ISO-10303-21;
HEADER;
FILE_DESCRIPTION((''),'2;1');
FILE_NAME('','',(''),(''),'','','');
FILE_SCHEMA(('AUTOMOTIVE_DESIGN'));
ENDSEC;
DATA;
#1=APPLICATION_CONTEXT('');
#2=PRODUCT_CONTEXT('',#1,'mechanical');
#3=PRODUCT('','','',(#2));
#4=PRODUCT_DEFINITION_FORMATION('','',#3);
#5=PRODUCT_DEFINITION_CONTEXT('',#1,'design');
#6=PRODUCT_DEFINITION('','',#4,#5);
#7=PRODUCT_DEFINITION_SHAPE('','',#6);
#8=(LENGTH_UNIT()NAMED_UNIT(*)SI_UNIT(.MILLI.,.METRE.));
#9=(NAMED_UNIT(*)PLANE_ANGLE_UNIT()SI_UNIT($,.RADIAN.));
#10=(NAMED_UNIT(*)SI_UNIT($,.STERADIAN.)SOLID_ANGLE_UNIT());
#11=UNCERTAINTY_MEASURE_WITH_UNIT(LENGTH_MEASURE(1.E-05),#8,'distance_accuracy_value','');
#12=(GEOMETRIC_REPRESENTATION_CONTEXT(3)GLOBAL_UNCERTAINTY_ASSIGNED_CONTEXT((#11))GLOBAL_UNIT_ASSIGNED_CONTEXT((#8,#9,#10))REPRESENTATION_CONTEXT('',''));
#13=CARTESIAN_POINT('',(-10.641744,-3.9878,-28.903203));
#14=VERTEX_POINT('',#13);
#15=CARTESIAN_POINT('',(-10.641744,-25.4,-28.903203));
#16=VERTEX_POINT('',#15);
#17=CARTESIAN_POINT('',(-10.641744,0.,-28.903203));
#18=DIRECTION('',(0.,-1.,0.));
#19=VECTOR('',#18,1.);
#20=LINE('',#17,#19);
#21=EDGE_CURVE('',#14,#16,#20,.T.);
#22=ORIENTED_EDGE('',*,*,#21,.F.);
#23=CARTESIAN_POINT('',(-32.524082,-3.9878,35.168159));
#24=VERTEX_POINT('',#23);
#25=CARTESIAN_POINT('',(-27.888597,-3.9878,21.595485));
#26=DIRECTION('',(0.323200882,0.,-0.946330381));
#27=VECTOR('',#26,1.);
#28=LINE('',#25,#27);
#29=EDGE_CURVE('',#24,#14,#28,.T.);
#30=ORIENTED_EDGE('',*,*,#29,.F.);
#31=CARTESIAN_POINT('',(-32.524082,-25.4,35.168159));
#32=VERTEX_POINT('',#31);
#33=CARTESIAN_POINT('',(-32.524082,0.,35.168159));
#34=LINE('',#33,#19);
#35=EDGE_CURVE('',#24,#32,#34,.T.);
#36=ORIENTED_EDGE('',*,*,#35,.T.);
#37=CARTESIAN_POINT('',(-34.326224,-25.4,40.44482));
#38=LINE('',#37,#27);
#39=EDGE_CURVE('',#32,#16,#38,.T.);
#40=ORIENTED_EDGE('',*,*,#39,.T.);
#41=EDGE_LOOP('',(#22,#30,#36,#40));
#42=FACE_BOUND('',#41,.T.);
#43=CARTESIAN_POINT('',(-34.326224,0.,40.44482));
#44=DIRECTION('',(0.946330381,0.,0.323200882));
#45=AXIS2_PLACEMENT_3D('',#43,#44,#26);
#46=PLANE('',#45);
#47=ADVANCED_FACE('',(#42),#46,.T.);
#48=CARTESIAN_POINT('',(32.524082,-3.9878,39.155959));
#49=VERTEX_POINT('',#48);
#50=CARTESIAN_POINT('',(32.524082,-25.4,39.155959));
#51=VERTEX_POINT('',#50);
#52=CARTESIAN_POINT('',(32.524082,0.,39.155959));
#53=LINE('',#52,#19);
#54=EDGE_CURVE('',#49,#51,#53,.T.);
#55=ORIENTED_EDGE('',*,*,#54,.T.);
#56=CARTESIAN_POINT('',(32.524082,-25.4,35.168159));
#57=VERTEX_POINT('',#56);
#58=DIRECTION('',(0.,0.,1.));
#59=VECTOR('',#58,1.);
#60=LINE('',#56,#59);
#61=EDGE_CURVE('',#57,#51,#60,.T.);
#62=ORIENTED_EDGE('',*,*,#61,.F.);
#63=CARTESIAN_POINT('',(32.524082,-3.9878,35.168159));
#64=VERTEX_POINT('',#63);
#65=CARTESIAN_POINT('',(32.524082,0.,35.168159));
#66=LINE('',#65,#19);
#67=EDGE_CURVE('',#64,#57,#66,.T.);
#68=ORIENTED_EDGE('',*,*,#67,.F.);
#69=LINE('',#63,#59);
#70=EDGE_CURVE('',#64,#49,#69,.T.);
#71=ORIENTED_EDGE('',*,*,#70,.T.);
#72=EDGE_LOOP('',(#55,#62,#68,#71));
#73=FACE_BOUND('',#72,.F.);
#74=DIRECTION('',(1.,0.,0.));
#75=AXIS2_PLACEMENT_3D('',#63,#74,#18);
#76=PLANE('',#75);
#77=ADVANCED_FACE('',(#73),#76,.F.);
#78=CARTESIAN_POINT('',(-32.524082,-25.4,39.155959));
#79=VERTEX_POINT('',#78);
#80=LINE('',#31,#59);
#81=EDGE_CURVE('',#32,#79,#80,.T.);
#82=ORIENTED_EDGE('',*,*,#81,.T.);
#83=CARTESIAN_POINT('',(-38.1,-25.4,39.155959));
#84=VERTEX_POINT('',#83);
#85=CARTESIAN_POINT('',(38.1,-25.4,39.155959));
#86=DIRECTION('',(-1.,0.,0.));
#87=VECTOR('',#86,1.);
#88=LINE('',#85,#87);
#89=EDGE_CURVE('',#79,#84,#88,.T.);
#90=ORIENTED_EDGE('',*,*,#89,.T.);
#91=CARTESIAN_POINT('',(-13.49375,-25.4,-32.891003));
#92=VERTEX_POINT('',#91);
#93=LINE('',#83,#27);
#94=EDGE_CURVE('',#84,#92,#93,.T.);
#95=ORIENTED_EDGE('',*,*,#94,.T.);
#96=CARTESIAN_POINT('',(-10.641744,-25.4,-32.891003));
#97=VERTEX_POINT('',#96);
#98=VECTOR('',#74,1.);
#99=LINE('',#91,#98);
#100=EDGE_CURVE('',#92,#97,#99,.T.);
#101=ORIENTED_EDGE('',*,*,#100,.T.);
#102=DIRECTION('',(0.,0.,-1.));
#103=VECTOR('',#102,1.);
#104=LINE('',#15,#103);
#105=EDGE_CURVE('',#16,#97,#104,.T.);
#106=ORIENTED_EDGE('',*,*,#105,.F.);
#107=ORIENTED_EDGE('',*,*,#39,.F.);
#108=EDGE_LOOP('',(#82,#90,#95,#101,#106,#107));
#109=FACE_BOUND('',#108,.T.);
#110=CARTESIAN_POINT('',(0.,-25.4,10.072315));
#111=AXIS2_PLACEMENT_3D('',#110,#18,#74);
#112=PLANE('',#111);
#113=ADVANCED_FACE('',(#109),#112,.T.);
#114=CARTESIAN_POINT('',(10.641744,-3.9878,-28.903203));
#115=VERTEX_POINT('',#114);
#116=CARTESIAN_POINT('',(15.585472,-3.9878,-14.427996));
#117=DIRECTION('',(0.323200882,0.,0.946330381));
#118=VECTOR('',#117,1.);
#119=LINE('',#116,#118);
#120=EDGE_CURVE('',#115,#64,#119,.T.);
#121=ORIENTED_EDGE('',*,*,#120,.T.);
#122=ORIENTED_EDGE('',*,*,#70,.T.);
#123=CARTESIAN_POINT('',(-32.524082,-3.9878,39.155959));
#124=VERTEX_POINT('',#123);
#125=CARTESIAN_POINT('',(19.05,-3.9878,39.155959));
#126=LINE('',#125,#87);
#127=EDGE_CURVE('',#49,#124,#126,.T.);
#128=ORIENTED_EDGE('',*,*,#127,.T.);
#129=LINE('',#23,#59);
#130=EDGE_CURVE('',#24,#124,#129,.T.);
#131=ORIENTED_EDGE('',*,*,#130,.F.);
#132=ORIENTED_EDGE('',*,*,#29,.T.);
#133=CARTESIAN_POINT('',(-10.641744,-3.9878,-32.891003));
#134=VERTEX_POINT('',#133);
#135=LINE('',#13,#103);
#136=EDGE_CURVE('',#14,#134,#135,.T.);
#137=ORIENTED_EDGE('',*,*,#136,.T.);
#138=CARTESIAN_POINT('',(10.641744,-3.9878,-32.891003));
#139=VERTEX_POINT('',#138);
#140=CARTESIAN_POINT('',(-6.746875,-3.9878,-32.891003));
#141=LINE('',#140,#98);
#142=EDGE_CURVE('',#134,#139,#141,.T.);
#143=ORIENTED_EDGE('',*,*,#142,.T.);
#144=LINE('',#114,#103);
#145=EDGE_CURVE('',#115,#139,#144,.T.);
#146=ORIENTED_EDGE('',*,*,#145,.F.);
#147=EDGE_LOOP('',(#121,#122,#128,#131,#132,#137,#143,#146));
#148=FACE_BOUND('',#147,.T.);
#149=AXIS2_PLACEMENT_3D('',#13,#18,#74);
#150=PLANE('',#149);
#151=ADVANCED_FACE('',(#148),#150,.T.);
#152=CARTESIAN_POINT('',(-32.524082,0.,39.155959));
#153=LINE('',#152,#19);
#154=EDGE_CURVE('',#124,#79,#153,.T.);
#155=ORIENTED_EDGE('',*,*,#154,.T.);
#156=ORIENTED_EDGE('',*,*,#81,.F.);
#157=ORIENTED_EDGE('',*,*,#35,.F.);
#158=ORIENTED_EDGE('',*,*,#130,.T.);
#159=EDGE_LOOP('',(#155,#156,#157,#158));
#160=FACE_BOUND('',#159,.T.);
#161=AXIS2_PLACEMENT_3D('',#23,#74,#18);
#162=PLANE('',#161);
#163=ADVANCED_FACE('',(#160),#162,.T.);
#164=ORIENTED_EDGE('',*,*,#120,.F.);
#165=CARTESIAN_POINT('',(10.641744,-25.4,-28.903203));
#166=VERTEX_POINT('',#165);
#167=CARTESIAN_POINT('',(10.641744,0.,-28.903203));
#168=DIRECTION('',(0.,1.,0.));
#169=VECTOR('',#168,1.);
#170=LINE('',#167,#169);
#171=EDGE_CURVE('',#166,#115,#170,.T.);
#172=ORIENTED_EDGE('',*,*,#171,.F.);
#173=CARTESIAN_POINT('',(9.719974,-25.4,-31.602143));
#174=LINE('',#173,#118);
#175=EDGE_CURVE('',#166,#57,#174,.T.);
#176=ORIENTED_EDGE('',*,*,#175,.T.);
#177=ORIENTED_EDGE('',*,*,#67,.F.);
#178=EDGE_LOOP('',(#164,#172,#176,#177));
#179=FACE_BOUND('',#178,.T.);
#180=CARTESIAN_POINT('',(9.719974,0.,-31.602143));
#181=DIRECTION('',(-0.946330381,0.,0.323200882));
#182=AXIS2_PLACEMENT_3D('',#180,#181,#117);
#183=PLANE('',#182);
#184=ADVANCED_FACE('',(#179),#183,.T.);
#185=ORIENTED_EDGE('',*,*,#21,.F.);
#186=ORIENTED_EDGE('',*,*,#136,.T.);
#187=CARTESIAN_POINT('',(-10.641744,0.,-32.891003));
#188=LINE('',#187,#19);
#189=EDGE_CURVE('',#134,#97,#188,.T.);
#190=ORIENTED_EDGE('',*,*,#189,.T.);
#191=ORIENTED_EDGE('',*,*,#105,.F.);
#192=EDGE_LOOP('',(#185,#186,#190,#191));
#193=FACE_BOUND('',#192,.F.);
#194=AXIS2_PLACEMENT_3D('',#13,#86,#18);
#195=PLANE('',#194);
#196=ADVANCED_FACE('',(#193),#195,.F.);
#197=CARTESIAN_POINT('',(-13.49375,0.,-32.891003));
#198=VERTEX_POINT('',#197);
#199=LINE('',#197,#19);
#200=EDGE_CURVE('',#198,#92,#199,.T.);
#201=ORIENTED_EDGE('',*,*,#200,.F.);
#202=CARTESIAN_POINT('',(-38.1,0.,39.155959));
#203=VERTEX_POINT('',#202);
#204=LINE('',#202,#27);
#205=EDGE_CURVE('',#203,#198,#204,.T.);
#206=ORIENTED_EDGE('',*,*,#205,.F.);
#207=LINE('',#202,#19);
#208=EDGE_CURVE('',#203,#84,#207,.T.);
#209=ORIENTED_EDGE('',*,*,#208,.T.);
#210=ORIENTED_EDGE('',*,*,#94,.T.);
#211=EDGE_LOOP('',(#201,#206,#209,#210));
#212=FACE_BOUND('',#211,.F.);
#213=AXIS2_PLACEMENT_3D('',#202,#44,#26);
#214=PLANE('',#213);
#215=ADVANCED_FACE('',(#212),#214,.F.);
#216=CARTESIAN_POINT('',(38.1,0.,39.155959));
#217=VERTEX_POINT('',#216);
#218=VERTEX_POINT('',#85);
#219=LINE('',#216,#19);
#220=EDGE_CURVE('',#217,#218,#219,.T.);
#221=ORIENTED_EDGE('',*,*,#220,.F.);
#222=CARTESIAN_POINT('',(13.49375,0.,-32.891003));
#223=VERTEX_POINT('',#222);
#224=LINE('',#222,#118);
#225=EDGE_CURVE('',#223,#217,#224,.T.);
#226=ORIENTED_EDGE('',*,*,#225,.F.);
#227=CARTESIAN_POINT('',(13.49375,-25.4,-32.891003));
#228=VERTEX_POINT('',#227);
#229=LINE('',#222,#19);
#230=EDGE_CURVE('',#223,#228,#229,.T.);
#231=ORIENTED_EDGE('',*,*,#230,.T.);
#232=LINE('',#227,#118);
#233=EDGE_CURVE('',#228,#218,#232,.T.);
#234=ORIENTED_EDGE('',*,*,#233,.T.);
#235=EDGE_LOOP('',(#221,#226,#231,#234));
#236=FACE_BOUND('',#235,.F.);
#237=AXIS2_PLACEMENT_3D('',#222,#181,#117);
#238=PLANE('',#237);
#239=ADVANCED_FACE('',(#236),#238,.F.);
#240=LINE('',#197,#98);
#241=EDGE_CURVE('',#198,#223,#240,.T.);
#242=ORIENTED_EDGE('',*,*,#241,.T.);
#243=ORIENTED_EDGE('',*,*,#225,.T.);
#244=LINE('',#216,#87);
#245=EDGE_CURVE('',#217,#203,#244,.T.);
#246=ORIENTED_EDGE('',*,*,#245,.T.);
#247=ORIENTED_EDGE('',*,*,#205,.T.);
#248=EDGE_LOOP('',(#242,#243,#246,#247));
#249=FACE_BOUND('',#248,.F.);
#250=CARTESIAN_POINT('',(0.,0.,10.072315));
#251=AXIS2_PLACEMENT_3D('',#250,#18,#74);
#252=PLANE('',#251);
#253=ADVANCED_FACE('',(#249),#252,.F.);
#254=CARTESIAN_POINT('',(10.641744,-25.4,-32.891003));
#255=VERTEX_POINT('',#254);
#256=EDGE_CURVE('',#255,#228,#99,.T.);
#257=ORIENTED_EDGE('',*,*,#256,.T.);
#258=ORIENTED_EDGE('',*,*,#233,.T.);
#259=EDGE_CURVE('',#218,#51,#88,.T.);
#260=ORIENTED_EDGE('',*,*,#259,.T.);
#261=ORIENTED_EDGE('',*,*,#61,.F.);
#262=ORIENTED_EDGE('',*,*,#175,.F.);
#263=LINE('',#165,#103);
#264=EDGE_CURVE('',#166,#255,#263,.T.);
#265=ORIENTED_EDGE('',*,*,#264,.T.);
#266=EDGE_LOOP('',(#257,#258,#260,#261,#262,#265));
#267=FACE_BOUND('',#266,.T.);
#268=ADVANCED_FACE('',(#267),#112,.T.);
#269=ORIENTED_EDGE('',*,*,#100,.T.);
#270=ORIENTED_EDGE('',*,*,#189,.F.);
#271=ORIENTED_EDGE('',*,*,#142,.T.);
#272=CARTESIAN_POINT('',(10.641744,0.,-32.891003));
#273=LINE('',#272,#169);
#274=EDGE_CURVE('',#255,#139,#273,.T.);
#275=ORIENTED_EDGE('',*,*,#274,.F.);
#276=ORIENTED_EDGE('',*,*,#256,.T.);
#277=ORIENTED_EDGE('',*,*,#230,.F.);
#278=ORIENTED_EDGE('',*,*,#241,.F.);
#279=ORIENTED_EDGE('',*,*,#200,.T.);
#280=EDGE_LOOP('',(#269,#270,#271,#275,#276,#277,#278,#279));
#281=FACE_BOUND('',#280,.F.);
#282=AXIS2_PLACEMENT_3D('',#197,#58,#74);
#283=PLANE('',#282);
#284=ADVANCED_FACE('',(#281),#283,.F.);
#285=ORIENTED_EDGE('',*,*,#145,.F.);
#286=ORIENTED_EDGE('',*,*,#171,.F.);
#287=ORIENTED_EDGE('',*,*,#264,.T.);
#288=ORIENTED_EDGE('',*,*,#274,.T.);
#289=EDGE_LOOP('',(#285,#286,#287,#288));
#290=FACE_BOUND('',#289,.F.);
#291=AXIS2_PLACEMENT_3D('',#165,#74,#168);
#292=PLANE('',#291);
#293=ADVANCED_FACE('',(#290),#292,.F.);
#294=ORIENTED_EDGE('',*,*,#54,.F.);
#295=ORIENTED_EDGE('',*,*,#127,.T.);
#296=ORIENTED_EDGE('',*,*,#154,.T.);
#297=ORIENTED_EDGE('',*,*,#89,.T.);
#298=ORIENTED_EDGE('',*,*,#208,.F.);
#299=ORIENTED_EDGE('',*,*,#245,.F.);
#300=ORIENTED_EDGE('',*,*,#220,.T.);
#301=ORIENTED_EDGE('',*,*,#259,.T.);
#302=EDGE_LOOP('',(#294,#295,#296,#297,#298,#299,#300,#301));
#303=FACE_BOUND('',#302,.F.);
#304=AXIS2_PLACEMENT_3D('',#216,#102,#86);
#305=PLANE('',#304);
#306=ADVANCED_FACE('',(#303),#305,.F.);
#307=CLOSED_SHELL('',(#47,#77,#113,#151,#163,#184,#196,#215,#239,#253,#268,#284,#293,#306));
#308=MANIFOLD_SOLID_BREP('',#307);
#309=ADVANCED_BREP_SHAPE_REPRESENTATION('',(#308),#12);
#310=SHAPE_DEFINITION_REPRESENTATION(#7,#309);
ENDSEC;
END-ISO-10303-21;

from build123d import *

# Parameters (mm, degrees)
F1_DEPTH = 25.4
F2_T     = -3.9878
F3_DEPTH = 3.9878
F4_DEPTH = 3.9878


with BuildPart() as f1:
    # F0 (on Front) → F1 (new body)
    with BuildSketch(Plane.XZ):
        Polygon((0, -32.8910034207), (13.49375, -32.8910034207), (38.1, 39.1559594118), (0, 39.1559594118), (-38.1, 39.1559594118), (-13.49375, -32.8910034207), align=None)
    extrude(amount=F1_DEPTH)

    # F2
    f2_openings = [f1.faces().sort_by_distance(p)[0] for p in [
        (0, -25.4, 8.859288),
    ]]
    offset(amount=F2_T, openings=f2_openings)

    # F3 (cut, through all): a face of the model
    f3_faces = [f1.faces().sort_by_distance(p)[0] for p in [
        (0, -14.6939, -28.9032034207),
    ]]
    extrude(f3_faces, amount=-F3_DEPTH, mode=Mode.SUBTRACT)

    # F4 (cut, through all): a face of the model
    f4_faces = [f1.faces().sort_by_distance(p)[0] for p in [
        (0, -14.6939, 35.1681594118),
    ]]
    extrude(f4_faces, amount=-F4_DEPTH, mode=Mode.SUBTRACT)


solid = f1.part
